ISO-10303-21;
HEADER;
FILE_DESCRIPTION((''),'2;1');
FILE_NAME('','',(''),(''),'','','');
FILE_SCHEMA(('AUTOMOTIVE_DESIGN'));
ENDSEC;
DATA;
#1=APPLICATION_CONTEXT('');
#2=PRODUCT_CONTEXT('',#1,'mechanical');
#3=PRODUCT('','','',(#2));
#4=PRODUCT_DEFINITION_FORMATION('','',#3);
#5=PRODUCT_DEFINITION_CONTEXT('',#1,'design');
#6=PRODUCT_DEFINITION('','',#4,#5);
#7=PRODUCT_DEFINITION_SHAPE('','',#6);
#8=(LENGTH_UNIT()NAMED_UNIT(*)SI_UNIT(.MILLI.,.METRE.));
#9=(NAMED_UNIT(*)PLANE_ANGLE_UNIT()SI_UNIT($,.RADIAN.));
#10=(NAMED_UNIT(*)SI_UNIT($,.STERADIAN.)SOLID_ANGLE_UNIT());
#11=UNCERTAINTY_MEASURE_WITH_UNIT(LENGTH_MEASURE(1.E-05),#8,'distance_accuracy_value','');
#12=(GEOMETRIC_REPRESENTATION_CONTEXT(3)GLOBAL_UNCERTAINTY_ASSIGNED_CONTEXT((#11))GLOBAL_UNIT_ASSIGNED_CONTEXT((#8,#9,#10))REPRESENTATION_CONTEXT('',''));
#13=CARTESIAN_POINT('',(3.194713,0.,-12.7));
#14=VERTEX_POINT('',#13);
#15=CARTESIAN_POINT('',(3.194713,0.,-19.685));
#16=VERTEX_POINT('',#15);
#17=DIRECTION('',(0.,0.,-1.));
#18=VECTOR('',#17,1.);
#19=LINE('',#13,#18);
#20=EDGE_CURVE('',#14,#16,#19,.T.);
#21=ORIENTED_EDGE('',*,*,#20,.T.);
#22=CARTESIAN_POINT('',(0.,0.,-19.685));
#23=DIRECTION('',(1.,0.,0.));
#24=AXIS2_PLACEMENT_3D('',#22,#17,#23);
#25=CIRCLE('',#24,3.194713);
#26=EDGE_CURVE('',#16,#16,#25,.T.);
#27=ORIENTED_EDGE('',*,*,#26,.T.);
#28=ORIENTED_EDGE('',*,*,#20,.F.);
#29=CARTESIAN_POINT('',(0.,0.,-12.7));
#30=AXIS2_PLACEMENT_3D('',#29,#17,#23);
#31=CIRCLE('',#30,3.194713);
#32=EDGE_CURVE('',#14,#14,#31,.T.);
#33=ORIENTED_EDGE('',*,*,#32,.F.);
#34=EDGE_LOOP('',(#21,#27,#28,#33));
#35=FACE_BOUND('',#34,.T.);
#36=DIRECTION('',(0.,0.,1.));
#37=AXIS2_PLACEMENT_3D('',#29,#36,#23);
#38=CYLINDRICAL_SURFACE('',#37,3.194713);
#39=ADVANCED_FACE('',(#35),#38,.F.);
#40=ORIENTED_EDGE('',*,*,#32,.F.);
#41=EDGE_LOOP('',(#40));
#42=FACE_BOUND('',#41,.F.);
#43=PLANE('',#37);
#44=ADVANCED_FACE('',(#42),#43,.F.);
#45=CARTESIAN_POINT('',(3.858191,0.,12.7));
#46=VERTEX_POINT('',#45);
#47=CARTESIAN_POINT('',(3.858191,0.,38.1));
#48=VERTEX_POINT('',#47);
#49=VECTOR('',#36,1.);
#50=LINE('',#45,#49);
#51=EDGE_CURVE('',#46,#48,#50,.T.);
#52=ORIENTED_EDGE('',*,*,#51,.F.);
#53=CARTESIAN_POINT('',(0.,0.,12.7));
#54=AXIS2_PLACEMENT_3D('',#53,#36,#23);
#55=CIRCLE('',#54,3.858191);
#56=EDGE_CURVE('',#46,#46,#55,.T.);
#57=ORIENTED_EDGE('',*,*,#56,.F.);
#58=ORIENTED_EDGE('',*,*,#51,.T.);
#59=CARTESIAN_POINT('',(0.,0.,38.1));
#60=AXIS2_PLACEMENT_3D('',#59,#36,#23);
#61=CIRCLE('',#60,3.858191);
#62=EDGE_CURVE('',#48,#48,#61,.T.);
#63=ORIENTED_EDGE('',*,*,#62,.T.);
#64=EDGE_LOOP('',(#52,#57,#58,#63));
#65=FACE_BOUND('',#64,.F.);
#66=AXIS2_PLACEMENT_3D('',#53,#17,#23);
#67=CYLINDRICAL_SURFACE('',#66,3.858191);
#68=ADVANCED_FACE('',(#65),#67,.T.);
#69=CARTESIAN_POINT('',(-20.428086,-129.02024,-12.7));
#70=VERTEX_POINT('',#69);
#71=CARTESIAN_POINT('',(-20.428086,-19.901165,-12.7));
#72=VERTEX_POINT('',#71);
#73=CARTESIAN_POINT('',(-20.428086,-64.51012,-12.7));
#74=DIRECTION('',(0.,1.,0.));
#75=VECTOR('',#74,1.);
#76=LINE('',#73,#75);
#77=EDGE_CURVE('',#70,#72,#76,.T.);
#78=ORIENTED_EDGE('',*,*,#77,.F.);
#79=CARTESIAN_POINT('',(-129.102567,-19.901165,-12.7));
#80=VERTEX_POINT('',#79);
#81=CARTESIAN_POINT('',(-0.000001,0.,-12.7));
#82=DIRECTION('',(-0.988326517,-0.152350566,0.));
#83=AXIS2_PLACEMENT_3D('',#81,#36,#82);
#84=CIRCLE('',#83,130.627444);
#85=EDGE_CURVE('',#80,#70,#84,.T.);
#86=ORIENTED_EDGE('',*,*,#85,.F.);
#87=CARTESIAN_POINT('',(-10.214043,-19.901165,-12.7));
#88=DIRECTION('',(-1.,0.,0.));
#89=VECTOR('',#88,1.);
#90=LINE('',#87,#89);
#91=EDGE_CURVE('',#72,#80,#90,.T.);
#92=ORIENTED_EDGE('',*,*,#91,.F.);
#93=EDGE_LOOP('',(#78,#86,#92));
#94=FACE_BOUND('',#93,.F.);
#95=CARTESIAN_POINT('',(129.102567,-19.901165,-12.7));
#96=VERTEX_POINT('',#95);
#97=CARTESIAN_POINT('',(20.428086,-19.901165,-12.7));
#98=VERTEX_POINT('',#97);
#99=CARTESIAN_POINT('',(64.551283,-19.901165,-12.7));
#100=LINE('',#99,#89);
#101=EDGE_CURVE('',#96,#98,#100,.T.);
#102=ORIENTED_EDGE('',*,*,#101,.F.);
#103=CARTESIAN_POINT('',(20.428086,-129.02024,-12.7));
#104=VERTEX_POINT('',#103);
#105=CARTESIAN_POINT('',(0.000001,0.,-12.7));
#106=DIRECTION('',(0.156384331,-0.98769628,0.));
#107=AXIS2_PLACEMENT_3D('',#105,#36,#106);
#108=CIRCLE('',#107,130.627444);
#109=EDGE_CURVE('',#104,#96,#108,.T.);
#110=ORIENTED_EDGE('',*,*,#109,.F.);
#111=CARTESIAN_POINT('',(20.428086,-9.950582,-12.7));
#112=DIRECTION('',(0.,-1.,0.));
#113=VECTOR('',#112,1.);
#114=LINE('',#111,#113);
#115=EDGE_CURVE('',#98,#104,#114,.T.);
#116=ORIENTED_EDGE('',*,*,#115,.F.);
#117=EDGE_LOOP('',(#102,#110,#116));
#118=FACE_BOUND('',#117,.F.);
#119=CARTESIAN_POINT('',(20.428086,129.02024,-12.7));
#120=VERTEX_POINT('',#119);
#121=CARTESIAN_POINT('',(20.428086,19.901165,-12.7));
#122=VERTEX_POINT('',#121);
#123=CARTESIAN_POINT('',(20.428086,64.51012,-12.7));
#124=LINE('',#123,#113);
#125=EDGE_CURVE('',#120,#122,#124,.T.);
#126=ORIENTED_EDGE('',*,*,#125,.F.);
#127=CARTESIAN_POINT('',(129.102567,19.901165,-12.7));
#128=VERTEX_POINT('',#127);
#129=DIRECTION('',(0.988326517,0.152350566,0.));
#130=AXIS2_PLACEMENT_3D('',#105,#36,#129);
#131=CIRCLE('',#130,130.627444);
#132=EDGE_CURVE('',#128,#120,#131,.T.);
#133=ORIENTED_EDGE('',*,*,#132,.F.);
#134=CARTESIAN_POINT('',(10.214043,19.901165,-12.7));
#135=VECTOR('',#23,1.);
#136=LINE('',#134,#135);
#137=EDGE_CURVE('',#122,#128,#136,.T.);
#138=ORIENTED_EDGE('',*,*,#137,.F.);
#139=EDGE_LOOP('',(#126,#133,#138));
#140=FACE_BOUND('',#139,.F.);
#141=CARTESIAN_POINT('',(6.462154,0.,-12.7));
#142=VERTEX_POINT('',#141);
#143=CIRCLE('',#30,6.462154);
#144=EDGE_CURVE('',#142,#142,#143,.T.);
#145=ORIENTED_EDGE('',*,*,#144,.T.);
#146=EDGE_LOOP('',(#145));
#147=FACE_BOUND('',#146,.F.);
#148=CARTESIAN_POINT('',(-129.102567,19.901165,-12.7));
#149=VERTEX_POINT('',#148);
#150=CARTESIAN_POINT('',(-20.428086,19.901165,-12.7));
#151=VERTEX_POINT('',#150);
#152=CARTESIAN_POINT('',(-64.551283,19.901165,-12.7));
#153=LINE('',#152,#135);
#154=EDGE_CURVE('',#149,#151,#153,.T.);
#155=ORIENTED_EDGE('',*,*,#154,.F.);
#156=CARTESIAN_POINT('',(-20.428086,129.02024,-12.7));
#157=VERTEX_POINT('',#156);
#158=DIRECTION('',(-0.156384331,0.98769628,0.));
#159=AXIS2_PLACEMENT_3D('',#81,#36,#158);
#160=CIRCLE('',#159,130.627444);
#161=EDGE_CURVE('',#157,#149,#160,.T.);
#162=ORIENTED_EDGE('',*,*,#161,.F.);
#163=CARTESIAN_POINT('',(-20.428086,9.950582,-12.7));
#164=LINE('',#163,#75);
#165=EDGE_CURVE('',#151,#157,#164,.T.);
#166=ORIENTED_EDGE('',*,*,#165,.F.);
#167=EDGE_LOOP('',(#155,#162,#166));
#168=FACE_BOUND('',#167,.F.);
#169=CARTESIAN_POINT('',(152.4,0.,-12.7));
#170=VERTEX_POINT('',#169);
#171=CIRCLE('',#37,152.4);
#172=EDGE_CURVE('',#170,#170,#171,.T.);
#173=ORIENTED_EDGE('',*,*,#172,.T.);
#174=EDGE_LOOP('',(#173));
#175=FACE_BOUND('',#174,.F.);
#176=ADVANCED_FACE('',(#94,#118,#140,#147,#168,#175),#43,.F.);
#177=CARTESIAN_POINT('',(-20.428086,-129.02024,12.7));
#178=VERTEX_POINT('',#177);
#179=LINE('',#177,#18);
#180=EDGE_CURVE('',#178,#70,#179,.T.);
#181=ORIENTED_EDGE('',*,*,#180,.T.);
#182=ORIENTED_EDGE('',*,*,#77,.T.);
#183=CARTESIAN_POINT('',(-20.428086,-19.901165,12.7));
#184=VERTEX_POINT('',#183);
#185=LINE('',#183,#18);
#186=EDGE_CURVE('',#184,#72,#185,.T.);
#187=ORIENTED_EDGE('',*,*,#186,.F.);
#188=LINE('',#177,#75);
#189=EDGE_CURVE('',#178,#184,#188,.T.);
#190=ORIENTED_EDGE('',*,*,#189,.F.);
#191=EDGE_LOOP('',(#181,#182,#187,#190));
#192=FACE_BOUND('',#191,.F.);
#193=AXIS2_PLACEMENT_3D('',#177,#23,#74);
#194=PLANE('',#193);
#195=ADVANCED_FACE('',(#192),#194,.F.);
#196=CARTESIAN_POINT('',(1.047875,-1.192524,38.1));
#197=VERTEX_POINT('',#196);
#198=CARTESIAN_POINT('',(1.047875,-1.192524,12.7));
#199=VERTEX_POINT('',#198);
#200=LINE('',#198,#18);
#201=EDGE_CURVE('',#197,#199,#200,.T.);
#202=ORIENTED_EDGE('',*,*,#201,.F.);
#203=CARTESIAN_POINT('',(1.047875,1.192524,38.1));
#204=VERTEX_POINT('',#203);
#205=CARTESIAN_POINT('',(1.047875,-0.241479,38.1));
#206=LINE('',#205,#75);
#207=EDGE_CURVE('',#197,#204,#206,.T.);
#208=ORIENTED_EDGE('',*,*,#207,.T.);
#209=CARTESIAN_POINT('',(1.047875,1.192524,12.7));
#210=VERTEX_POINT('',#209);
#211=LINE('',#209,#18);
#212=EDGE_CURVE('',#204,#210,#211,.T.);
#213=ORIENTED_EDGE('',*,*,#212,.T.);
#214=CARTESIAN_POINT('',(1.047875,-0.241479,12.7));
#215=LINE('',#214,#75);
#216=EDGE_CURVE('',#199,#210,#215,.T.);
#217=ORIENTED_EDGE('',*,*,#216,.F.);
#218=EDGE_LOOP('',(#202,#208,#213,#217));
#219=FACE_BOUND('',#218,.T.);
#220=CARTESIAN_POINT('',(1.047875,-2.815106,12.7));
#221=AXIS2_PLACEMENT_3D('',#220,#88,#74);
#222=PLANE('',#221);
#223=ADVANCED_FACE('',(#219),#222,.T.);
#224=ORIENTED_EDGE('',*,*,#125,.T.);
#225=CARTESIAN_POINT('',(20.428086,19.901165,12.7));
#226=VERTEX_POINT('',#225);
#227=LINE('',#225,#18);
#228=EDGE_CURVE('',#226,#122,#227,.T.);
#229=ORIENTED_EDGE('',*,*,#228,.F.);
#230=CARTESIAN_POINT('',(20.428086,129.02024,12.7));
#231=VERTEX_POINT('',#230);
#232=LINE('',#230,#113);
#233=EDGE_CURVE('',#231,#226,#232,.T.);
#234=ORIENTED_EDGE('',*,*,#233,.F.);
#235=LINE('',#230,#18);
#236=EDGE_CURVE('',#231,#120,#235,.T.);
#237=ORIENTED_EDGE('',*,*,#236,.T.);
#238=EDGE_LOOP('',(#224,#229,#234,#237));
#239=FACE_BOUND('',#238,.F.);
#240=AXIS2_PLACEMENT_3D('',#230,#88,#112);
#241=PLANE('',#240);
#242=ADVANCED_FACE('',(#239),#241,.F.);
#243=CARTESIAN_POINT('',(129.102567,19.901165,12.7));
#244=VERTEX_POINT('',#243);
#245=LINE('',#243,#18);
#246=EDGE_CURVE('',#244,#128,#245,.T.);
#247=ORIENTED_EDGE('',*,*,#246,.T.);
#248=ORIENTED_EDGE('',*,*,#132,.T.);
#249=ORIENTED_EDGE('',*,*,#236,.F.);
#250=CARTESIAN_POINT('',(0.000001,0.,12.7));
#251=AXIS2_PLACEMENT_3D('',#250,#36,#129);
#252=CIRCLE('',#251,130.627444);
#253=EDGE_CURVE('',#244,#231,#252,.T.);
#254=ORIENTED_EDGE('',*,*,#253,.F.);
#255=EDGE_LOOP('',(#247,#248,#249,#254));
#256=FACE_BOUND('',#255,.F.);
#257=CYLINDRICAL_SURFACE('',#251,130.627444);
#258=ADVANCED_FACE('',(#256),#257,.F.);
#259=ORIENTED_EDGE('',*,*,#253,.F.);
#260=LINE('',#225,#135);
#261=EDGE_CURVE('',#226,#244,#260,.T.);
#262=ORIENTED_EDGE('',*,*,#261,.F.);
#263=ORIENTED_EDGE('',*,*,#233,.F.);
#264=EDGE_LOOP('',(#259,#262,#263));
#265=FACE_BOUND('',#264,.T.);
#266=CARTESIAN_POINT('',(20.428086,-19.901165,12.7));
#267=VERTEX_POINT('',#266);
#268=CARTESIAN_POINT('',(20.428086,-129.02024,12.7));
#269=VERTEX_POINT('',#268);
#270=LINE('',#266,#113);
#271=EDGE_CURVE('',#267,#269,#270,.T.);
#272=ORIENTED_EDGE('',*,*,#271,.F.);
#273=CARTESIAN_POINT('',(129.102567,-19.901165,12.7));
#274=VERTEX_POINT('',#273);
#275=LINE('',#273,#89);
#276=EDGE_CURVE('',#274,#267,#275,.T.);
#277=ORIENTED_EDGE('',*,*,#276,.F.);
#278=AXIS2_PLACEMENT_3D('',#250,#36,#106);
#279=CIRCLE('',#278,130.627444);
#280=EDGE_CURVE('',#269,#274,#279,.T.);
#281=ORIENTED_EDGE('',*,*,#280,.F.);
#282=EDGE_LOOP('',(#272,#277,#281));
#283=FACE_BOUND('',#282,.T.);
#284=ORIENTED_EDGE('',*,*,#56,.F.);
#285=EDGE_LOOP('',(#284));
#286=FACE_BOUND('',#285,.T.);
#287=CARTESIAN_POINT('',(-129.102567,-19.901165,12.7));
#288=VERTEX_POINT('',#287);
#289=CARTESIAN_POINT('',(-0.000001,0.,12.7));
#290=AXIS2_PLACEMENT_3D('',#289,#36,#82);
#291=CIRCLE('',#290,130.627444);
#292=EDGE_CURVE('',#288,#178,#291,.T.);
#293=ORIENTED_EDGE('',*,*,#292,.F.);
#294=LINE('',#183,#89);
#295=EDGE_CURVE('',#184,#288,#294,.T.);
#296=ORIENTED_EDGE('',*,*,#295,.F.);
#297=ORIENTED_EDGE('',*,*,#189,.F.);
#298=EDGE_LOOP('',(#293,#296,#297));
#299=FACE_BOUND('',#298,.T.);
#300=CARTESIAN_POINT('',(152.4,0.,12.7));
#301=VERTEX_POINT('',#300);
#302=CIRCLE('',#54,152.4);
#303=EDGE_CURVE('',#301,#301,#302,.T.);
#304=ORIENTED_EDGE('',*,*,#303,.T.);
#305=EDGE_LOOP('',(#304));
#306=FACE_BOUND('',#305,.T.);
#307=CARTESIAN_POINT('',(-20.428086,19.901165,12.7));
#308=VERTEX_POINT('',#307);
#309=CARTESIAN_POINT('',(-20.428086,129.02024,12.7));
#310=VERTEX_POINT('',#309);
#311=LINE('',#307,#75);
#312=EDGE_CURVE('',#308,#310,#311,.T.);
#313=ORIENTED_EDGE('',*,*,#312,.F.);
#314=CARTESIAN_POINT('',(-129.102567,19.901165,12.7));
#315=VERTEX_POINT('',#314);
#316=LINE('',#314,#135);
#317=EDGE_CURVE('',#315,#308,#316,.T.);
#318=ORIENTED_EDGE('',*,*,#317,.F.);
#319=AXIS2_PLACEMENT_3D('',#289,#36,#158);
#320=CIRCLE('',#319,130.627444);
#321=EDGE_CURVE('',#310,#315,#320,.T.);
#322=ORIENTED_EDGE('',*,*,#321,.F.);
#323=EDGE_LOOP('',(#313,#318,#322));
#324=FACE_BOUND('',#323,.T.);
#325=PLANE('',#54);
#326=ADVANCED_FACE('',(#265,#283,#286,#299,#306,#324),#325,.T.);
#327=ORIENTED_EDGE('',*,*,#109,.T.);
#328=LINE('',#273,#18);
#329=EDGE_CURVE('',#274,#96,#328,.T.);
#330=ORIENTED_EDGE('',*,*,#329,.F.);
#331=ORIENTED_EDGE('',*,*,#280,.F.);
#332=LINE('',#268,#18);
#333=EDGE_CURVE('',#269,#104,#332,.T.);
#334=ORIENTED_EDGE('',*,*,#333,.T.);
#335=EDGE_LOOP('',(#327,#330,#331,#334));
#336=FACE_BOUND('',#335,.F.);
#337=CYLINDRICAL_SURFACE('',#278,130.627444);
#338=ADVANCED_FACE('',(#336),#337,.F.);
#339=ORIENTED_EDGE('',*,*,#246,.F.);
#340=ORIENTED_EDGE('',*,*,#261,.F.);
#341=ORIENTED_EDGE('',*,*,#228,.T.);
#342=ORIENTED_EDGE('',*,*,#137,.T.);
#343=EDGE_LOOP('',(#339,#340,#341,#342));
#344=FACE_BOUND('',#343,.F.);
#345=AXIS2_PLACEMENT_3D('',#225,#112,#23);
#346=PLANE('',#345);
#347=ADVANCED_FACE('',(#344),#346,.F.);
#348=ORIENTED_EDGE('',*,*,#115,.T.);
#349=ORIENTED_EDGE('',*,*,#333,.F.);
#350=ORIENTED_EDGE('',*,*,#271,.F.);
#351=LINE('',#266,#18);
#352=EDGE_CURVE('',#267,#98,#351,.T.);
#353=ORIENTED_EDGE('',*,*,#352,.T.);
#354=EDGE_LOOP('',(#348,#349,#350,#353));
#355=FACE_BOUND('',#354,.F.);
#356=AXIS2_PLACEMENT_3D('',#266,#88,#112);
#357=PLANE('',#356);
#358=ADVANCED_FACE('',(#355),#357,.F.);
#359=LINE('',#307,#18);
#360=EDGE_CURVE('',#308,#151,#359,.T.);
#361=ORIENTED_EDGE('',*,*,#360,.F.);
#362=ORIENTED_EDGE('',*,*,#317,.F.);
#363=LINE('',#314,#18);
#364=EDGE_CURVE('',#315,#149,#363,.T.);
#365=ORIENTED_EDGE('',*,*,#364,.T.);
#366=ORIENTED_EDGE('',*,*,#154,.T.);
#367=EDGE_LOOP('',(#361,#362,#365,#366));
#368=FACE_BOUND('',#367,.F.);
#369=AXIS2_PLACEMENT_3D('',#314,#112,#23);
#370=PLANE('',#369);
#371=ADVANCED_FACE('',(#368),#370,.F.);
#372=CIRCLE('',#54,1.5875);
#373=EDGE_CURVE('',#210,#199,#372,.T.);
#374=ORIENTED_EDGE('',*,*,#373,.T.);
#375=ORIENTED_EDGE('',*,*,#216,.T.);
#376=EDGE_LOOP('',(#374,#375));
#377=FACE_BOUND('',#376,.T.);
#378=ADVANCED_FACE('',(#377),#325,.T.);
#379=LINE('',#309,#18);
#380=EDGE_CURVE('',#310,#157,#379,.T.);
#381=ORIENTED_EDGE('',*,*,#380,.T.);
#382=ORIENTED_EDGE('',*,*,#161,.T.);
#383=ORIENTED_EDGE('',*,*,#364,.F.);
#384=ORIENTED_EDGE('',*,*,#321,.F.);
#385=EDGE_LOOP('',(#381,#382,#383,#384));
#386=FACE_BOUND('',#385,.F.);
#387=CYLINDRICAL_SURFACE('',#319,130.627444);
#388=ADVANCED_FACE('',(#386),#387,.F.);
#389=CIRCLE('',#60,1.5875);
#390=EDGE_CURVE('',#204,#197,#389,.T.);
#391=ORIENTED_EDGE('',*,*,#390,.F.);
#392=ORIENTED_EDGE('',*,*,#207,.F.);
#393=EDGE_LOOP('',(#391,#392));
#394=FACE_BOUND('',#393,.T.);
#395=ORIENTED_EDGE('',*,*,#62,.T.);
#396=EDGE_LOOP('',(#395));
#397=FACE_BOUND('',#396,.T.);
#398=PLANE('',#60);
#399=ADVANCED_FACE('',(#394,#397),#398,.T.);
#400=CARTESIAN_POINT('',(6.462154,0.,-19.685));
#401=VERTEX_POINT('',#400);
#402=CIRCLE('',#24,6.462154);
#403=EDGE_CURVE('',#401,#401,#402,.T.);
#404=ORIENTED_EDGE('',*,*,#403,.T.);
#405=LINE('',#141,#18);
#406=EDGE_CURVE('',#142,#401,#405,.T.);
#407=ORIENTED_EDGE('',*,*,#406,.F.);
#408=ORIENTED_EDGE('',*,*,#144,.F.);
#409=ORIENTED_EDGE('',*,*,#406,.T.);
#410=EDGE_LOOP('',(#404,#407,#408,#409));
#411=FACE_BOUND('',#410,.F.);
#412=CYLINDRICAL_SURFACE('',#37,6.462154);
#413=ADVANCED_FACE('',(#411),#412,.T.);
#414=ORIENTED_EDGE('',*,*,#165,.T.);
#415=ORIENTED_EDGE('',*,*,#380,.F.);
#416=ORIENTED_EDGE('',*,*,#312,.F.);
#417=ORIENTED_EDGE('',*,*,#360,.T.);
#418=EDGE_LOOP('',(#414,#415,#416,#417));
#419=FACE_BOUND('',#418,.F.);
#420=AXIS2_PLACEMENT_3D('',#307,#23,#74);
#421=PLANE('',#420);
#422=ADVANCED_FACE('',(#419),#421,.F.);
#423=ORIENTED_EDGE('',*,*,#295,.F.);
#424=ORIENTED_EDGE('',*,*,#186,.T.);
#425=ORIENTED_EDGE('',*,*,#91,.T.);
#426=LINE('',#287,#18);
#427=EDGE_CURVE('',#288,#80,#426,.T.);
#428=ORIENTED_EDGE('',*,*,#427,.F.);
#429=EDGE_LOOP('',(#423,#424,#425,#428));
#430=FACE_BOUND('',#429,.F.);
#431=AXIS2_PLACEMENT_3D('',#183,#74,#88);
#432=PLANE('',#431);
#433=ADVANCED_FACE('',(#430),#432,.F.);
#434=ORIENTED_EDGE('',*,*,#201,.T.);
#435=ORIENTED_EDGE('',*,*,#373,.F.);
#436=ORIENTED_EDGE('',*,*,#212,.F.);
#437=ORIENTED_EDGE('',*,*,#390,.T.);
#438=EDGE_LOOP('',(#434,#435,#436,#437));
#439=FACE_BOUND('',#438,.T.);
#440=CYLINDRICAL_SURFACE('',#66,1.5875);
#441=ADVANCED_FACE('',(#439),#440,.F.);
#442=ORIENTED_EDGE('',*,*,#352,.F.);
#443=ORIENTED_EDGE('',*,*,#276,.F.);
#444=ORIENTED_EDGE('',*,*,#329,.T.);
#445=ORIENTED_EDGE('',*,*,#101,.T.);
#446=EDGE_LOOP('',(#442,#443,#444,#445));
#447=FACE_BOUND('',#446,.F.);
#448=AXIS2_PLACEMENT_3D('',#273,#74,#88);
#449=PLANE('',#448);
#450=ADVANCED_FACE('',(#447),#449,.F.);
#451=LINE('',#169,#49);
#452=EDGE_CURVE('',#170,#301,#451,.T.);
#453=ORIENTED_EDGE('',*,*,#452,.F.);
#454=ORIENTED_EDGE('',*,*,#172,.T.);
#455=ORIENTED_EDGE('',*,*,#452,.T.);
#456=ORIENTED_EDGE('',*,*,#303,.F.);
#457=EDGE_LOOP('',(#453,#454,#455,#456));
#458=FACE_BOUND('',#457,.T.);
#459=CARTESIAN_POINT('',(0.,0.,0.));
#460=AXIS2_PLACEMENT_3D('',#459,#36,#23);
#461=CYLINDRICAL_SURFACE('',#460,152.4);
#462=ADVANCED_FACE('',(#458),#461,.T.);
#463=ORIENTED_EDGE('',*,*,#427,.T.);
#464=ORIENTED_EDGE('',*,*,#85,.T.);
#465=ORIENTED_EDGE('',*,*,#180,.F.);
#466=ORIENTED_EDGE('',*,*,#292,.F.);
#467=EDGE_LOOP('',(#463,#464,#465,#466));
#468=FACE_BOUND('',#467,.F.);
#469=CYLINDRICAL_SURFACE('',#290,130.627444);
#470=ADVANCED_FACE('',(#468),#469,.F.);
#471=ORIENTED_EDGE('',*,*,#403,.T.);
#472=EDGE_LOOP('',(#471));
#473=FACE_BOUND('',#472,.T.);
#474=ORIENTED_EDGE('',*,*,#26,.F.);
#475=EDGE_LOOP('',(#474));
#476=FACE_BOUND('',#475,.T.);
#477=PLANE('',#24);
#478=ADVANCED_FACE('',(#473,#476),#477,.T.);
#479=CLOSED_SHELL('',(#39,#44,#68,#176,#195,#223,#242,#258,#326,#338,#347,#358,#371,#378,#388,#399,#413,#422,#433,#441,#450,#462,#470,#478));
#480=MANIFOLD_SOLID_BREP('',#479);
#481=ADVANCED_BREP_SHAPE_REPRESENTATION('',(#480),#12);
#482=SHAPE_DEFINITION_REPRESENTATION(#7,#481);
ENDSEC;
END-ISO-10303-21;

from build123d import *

# Parameters (mm, degrees)
F0_R          = 152.4
F1_DEPTH      = 12.7
F1_DEPTH_BACK = 12.7
F2_R          = 3.858191
F2_R_2        = 1.5875
F3_DEPTH      = 25.4
F5_DEPTH      = 25.401
F6_W          = 0.887787
F6_H          = 5.147254
F7_DEPTH      = 25.4
F8_R          = 6.462154
F8_R_2        = 3.194713
F9_DEPTH      = 6.985


with BuildPart() as f1:
    # F0 (on Top) → F1 (new body, two sides)
    with BuildSketch(Plane.XY) as f1_sk:
        Circle(F0_R)
    extrude(amount=F1_DEPTH)
    extrude(f1_sk.sketch, amount=-F1_DEPTH_BACK)

    # F2 (on face) → F3 (join)
    with BuildSketch(Plane.XY.offset(12.7)):
        Circle(F2_R)
        Circle(F2_R_2, mode=Mode.SUBTRACT)
    extrude(amount=F3_DEPTH)

    # F4 (on face) → F5 (cut, through all)
    with BuildSketch(Plane.XY.offset(12.7)):
        with BuildLine():
            Line((-20.428086, -19.901165), (-129.102567, -19.901165))
            ThreePointArc((-129.102567, -19.901165), (-92.555914, -92.178804), (-20.428086, -129.02024))
            Line((-20.428086, -129.02024), (-20.428086, -19.901165))
        make_face()
        with BuildLine():
            Line((-129.102567, 19.901165), (-20.428086, 19.901165))
            Line((-20.428086, 19.901165), (-20.428086, 129.02024))
            ThreePointArc((-20.428086, 129.02024), (-92.555914, 92.178804), (-129.102567, 19.901165))
        make_face()
        with BuildLine():
            Line((20.428086, 129.02024), (20.428086, 19.901165))
            Line((20.428086, 19.901165), (129.102567, 19.901165))
            ThreePointArc((129.102567, 19.901165), (92.555914, 92.178804), (20.428086, 129.02024))
        make_face()
        with BuildLine():
            ThreePointArc((20.428086, -129.02024), (92.555914, -92.178804), (129.102567, -19.901165))
            Line((129.102567, -19.901165), (20.428086, -19.901165))
            Line((20.428086, -19.901165), (20.428086, -129.02024))
        make_face()
    extrude(amount=-F5_DEPTH, mode=Mode.SUBTRACT)

    # F6 (on face) → F7 (join)
    with BuildSketch(Plane.XY.offset(12.7)):
        with Locations((1.491769, -0.241479)):
            Rectangle(F6_W, F6_H)
    extrude(amount=F7_DEPTH)

    # F8 (on face) → F9 (join)
    with BuildSketch(Plane(origin=(0, 0, -12.7), x_dir=(1, 0, 0), z_dir=(0, 0, -1))):
        Circle(F8_R)
        Circle(F8_R_2, mode=Mode.SUBTRACT)
    extrude(amount=F9_DEPTH)


solid = f1.part
